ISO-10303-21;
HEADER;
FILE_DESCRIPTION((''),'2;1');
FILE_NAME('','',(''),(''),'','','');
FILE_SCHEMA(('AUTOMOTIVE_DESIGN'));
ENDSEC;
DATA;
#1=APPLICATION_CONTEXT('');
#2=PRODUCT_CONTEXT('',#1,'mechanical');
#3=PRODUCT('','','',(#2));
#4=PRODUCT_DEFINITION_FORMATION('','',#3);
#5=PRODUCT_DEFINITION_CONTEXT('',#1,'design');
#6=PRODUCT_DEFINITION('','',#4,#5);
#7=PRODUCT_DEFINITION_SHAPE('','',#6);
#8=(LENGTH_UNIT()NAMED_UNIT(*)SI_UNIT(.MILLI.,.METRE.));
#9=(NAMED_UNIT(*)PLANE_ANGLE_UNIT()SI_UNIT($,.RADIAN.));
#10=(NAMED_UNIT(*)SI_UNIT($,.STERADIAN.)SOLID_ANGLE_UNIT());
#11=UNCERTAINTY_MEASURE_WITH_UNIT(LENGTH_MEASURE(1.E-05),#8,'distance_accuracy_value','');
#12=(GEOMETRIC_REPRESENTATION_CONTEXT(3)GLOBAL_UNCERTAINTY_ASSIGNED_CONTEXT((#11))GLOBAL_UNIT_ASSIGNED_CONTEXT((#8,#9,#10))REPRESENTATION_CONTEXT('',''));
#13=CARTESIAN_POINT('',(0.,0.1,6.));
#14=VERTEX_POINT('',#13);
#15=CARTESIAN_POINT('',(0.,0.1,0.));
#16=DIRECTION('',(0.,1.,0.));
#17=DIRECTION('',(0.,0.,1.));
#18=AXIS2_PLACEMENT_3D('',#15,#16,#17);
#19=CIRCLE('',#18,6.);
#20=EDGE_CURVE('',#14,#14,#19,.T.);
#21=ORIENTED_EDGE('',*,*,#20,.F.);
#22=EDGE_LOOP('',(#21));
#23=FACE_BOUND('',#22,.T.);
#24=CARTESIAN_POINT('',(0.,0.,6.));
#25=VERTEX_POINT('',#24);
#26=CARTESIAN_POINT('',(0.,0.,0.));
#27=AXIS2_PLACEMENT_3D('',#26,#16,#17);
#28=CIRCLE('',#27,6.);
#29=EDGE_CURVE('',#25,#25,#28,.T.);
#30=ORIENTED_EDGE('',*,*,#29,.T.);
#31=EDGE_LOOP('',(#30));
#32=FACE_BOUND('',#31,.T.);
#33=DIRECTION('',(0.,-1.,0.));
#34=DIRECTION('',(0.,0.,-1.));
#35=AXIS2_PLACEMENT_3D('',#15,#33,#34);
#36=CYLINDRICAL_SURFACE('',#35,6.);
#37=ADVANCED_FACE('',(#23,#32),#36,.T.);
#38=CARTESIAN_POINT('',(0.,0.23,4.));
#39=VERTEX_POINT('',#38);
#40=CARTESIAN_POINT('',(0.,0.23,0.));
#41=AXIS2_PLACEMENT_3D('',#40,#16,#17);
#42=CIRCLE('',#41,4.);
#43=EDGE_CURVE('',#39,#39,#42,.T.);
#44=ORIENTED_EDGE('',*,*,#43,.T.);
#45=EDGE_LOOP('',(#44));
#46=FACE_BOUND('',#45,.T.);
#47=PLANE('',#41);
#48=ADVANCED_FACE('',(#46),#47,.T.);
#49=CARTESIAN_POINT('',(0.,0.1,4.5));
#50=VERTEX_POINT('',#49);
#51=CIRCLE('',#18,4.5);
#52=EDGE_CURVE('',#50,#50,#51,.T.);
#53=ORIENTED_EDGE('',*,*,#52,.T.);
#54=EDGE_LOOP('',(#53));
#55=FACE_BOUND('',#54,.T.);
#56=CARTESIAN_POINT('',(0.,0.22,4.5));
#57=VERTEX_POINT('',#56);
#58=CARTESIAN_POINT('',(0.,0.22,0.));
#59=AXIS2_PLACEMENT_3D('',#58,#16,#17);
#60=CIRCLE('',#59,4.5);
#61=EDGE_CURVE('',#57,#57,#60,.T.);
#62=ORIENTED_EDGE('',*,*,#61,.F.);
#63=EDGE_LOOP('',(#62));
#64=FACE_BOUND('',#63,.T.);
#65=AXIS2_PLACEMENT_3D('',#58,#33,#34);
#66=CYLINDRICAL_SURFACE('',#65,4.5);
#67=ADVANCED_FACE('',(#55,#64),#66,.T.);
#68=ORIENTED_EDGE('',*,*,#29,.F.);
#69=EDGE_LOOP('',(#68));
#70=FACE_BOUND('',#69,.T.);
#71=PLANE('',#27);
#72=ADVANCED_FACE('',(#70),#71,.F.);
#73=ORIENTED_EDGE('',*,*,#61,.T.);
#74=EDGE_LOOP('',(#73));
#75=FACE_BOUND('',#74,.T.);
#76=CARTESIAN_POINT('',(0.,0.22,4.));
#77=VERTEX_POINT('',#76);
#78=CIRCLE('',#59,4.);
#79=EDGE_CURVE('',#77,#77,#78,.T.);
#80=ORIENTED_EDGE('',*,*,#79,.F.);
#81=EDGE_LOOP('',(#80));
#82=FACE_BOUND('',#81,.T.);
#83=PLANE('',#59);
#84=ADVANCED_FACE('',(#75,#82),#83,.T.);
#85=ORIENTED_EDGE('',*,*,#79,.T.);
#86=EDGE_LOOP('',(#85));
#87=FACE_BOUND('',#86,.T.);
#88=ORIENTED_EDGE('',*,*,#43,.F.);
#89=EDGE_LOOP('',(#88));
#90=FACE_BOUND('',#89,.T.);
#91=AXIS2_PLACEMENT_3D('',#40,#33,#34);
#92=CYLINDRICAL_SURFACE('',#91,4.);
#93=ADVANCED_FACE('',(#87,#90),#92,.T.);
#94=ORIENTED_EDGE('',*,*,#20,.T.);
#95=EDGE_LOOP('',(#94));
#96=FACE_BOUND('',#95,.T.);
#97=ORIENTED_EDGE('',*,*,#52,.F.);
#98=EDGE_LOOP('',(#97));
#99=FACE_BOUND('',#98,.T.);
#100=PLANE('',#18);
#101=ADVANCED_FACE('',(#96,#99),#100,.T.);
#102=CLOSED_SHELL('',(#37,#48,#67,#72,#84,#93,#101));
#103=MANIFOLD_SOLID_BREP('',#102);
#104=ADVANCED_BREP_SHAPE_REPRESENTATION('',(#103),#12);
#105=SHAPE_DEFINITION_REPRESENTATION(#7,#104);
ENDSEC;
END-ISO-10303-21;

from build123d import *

# Parameters (mm, degrees)
SKETCH_1_R      = 6
EXTRUDE_1_DEPTH = 0.1
SKETCH_2_R      = 4.5
EXTRUDE_2_DEPTH = 0.12
SKETCH_3_R      = 4
EXTRUDE_3_DEPTH = 0.01


with BuildPart() as part:
    # 草图1 → 凸台-拉伸1 (new body)
    with BuildSketch(Plane(origin=(0, 0, 0), x_dir=(1, 0, 0), z_dir=(0, 1, 0))):
        Circle(SKETCH_1_R)
    extrude(amount=EXTRUDE_1_DEPTH)

    # 草图2 → 凸台-拉伸2 (add)
    with BuildSketch(Plane(origin=(0, 0.1, 0), x_dir=(1, 0, 0), z_dir=(0, 1, 0))):
        Circle(SKETCH_2_R)
    extrude(amount=EXTRUDE_2_DEPTH)

    # 草图3 → 凸台-拉伸3 (add)
    with BuildSketch(Plane(origin=(0, 0.22, 0), x_dir=(1, 0, 0), z_dir=(0, 1, 0))):
        Circle(SKETCH_3_R)
    extrude(amount=EXTRUDE_3_DEPTH)


solid = part.part
